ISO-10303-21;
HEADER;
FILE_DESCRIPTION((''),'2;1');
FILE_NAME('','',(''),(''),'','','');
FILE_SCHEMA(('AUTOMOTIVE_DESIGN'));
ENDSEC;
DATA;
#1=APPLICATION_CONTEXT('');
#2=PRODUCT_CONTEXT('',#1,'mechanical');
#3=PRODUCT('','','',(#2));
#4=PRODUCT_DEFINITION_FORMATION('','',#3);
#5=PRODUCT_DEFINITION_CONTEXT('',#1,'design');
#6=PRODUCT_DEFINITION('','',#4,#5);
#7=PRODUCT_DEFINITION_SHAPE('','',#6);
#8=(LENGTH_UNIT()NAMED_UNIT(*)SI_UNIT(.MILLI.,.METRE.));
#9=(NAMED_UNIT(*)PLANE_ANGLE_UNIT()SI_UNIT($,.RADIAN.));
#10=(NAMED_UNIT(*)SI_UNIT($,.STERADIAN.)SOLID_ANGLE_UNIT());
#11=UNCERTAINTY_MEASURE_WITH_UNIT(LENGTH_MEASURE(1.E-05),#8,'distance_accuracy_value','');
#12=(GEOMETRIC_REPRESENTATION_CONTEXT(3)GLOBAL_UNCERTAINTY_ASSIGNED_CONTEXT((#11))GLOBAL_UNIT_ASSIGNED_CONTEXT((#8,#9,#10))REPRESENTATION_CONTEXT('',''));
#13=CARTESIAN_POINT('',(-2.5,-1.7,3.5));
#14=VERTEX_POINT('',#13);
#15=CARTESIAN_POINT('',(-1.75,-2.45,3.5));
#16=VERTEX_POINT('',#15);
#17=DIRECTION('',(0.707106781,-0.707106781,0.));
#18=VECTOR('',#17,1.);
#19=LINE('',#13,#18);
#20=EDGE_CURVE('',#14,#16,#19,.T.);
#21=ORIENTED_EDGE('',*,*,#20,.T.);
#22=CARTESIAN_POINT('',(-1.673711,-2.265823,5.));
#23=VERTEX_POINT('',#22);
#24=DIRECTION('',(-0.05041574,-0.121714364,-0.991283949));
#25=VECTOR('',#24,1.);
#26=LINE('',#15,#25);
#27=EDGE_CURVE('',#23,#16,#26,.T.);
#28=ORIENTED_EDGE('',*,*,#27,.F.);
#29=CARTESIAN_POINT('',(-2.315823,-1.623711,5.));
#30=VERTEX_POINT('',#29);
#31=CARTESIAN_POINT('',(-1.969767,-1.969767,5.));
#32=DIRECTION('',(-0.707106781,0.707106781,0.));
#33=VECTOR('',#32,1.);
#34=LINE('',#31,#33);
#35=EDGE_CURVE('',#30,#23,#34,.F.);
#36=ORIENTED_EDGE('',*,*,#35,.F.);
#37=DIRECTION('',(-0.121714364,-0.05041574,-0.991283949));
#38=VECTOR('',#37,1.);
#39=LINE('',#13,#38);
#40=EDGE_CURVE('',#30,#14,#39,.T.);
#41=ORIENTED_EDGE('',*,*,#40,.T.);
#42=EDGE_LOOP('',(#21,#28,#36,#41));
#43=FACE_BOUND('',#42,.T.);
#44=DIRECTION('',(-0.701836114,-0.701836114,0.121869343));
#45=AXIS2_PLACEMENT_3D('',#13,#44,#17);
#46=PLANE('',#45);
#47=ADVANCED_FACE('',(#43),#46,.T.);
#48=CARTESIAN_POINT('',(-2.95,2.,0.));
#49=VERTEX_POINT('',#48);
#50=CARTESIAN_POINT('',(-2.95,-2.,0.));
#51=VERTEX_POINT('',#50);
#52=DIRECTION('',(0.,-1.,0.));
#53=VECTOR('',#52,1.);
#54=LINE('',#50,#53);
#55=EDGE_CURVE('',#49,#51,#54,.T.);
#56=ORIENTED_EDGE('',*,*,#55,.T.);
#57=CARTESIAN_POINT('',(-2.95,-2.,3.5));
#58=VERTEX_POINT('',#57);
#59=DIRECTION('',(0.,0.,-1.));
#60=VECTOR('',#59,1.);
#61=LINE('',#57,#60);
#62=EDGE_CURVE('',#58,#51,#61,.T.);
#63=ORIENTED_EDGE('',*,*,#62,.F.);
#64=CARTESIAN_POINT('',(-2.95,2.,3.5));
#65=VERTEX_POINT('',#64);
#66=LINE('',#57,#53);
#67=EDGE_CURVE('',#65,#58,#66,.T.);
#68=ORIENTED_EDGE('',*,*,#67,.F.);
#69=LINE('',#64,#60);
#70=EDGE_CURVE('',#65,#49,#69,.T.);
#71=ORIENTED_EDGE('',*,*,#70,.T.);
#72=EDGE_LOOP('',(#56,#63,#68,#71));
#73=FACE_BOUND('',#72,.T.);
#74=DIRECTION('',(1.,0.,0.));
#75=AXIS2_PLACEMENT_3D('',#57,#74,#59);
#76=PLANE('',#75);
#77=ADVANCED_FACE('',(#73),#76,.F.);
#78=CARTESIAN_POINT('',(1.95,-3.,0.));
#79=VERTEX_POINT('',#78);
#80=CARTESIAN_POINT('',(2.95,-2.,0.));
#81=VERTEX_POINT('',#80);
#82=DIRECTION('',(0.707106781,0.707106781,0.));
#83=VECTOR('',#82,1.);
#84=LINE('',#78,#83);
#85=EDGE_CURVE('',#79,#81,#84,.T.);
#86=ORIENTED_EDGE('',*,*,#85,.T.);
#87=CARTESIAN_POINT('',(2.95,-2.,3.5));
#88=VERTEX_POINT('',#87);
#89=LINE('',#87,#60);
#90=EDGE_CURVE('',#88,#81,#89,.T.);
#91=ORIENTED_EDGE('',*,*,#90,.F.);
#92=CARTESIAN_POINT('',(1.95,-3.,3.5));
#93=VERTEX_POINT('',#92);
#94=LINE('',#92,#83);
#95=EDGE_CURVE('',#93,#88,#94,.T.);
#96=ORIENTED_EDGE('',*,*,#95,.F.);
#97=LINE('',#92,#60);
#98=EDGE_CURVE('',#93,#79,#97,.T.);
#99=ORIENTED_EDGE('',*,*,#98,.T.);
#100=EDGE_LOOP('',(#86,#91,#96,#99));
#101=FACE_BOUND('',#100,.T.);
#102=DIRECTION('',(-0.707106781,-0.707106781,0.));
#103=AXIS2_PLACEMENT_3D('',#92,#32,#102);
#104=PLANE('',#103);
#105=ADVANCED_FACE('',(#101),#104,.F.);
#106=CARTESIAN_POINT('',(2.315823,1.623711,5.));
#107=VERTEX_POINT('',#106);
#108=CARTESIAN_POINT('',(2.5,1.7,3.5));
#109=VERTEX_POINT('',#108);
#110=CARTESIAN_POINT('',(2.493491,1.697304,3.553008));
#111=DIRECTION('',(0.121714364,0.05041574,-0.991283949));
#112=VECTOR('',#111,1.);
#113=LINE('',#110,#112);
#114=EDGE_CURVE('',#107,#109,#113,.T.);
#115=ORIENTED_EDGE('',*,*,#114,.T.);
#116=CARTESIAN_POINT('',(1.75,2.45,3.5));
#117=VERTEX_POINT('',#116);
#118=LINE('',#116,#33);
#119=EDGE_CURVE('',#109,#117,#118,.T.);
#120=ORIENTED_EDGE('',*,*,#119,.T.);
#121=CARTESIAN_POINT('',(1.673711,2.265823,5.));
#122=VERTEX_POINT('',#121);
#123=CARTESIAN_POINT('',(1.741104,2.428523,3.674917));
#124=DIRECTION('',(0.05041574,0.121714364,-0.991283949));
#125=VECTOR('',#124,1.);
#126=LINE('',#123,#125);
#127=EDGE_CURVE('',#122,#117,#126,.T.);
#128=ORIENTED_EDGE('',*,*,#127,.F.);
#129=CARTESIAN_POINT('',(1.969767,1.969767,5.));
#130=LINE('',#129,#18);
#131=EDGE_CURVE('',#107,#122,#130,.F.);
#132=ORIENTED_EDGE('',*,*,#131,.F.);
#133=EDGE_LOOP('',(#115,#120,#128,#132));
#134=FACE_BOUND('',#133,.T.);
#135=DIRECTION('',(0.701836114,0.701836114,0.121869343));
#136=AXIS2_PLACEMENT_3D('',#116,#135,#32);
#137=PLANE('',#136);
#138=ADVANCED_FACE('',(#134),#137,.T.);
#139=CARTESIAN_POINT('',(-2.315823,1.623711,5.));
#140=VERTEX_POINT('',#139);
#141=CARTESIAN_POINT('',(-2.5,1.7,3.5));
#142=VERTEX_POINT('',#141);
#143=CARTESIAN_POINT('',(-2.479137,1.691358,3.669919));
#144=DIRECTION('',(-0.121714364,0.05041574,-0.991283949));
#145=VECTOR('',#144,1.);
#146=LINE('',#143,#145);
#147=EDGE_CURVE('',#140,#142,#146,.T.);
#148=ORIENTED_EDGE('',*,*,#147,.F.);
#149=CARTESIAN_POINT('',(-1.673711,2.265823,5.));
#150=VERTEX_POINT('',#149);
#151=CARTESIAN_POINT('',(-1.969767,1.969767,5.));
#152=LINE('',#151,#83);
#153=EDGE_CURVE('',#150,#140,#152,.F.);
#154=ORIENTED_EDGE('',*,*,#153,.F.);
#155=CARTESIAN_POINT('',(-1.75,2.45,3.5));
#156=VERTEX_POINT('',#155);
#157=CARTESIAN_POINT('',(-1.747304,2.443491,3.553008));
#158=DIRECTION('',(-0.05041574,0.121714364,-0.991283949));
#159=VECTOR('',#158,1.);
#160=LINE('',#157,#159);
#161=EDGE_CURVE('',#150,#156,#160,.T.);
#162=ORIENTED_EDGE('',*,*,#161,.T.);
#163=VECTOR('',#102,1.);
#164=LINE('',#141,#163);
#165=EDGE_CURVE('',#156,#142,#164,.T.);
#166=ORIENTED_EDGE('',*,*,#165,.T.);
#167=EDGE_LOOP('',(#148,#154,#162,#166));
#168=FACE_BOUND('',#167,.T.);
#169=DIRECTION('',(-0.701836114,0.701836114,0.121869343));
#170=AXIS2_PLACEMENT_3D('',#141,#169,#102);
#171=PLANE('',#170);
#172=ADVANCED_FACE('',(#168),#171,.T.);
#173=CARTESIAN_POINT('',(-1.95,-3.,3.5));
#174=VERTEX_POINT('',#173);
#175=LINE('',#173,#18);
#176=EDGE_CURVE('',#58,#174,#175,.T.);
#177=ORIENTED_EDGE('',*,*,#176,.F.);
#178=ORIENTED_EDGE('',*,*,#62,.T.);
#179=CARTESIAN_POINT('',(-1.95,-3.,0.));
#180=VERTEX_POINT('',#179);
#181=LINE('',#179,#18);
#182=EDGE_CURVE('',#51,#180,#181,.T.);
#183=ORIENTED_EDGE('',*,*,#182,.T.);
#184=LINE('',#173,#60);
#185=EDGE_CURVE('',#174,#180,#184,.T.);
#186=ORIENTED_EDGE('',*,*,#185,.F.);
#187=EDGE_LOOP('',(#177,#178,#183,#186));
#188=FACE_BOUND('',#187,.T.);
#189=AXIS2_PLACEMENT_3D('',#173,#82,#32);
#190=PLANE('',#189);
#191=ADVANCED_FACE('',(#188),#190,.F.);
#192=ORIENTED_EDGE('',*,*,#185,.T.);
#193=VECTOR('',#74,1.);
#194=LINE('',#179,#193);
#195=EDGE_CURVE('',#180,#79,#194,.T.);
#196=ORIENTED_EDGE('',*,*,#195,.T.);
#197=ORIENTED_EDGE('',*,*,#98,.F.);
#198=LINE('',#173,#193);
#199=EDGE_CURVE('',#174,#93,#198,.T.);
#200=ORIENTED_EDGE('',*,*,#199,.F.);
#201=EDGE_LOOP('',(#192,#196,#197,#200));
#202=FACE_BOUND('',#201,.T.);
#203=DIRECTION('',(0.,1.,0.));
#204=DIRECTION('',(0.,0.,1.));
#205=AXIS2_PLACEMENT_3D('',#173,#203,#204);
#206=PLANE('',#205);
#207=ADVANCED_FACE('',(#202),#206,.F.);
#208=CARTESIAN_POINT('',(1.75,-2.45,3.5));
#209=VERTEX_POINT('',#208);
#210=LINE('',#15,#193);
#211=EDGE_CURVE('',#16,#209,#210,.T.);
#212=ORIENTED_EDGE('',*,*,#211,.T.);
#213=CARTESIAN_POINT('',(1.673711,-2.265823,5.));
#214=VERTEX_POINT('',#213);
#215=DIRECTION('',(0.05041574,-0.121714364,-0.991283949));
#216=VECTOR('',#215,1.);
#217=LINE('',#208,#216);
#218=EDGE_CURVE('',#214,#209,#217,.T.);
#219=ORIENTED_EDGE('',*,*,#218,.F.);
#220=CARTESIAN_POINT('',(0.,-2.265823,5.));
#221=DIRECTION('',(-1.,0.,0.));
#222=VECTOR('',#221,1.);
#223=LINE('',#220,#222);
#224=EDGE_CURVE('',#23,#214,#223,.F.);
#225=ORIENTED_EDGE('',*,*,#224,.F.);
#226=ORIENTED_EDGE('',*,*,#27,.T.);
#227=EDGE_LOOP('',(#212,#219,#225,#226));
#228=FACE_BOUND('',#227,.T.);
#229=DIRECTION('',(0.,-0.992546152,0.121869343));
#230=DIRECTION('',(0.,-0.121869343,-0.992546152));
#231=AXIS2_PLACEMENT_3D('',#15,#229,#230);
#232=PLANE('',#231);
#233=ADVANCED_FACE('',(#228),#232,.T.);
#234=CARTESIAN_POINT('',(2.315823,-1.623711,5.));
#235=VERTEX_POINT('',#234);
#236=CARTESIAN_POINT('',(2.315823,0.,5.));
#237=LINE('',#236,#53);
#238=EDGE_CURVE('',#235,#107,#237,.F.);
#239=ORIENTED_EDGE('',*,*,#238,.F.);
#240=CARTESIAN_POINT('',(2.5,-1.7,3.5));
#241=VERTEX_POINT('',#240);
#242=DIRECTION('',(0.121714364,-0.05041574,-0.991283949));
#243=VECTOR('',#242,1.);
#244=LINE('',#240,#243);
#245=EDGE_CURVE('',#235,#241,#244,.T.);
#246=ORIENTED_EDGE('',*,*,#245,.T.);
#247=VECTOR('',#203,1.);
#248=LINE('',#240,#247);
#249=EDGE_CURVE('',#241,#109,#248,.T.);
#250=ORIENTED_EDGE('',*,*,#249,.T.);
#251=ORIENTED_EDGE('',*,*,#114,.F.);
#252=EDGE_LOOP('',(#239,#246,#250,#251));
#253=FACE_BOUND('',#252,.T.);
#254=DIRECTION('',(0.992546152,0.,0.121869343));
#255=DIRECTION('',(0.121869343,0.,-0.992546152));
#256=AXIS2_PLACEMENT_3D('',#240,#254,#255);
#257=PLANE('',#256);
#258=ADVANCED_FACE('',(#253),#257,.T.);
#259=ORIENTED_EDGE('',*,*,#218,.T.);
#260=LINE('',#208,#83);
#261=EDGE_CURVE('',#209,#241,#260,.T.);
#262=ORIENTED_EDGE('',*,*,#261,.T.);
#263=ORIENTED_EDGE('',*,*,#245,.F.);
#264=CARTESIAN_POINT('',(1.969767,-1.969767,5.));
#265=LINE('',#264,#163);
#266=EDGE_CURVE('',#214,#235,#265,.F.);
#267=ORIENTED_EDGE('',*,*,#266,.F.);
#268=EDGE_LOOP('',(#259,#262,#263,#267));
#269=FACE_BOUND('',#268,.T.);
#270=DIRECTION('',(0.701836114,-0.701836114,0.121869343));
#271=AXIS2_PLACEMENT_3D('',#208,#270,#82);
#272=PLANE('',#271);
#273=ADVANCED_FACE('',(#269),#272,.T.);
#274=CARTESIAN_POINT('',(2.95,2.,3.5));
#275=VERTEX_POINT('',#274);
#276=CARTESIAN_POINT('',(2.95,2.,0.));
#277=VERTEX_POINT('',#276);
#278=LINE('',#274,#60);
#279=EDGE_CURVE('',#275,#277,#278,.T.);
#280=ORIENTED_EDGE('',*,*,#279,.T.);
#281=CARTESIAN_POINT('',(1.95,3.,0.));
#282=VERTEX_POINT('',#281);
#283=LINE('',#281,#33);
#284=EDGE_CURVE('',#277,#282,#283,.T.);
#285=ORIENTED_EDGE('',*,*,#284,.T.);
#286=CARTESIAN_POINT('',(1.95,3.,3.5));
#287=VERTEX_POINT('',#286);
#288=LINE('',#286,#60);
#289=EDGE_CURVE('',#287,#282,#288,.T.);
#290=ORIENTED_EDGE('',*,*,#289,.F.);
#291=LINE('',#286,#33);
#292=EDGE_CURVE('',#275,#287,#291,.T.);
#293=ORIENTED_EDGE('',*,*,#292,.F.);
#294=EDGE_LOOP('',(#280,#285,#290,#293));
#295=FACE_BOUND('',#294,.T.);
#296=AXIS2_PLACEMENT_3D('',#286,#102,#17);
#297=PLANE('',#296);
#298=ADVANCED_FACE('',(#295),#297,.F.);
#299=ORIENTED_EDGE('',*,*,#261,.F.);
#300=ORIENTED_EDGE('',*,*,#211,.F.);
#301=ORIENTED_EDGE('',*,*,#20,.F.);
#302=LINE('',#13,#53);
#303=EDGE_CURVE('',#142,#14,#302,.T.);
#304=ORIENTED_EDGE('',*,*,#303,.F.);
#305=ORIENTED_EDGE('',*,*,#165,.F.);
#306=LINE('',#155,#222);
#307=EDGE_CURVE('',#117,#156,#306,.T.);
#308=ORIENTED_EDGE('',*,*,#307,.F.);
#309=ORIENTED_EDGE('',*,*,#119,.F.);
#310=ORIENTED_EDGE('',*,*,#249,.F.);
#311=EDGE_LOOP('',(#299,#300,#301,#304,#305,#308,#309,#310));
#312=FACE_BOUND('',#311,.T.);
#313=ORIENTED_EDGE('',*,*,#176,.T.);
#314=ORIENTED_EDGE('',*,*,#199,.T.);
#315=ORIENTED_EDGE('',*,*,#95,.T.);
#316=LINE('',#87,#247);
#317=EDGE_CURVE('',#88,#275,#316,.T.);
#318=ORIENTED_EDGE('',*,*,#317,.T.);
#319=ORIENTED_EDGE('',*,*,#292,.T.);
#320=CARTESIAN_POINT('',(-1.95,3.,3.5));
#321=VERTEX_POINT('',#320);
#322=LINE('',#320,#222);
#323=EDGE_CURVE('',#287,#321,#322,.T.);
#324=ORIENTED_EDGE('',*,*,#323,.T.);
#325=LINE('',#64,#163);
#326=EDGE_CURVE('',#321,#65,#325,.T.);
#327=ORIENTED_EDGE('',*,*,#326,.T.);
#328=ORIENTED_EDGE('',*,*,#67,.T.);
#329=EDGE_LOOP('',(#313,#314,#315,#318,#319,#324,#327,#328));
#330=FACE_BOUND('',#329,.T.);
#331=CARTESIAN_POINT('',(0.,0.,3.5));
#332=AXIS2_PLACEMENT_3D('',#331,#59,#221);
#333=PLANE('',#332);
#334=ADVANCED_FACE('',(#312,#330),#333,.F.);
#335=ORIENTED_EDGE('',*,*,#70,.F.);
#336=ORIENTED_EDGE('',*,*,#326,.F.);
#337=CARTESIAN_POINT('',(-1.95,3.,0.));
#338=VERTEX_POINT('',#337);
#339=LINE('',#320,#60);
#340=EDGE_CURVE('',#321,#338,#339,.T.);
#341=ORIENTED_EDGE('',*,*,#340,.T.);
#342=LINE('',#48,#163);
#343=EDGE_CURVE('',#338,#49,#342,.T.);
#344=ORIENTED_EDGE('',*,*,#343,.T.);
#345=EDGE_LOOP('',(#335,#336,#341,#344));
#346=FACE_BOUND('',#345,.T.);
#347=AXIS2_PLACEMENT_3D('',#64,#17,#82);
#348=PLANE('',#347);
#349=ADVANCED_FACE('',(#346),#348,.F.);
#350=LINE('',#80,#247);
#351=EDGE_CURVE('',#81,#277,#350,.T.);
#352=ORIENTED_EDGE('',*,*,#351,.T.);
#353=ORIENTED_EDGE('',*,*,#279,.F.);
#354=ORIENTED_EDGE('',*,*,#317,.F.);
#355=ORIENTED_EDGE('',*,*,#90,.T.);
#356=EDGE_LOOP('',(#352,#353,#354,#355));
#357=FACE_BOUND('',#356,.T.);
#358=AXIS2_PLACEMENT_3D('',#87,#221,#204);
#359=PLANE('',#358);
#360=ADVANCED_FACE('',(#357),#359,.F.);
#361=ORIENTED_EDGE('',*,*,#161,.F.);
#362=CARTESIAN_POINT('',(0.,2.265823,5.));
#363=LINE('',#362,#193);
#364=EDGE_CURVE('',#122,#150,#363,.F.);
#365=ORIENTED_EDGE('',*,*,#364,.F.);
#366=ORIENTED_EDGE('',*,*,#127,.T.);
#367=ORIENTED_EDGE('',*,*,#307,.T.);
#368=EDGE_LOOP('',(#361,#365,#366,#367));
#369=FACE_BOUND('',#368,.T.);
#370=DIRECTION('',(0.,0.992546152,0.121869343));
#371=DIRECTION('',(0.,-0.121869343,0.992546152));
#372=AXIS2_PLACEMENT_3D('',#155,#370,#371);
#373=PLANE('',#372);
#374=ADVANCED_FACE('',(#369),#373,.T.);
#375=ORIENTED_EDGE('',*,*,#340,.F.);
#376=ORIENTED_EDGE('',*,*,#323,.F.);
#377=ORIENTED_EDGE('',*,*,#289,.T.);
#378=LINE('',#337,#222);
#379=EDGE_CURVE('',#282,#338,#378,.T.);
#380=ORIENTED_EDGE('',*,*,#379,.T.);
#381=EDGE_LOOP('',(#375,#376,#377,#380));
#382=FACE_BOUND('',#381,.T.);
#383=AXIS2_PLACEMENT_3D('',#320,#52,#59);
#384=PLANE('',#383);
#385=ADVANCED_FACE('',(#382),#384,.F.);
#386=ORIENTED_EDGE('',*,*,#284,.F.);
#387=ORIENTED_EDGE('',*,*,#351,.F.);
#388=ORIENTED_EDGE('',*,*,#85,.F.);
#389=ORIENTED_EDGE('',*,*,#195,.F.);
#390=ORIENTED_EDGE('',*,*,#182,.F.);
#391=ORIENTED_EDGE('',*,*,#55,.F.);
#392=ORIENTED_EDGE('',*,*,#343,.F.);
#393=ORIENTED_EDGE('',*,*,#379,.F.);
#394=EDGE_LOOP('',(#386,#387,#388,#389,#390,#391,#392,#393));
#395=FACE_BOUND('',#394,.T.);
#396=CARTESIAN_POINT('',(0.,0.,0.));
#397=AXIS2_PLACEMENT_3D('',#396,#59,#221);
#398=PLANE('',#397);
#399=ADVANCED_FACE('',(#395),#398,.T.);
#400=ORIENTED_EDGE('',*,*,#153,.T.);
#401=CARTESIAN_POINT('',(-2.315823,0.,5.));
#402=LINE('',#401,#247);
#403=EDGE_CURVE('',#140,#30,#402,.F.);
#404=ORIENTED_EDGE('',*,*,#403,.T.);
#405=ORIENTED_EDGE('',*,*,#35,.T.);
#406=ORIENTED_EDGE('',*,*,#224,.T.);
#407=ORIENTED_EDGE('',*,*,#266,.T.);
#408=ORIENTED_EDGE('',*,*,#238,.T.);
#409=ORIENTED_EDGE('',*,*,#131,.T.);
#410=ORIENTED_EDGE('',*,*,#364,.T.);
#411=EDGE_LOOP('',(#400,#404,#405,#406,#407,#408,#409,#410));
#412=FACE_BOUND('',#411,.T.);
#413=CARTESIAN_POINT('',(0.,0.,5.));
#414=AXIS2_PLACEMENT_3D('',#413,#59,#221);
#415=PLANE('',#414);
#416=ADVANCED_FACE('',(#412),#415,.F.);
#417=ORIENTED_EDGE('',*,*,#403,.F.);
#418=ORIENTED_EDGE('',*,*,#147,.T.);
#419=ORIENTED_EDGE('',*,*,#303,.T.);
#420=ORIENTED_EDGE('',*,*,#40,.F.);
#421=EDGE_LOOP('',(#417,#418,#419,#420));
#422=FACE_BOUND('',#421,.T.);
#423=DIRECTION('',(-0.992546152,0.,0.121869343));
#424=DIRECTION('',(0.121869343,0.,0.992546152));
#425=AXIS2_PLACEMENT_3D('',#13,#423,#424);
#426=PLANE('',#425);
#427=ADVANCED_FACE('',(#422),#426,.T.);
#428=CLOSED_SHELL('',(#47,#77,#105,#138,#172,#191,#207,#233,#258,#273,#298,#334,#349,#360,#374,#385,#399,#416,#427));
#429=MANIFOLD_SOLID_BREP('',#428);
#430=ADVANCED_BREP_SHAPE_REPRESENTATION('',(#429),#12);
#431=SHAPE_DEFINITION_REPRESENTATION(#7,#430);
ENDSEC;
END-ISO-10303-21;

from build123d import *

# Parameters (mm, degrees)
BOSS_EXTRUDE1_DEPTH = 3.5
BOSS_EXTRUDE2_DEPTH = 1.5
BOSS_EXTRUDE2_TAPER = 7


with BuildPart() as part:
    # Sketch1 → Boss-Extrude1 (new body)
    with BuildSketch(Plane.XY):
        Polygon((-2.95, 2), (-1.95, 3), (1.95, 3), (2.95, 2), (2.95, -2), (1.95, -3), (-1.95, -3), (-2.95, -2), align=None)
    extrude(amount=BOSS_EXTRUDE1_DEPTH)

    # Sketch2 → Boss-Extrude2 (add)
    with BuildSketch(Plane.XY.offset(3.5)):
        Polygon((-2.5, 1.7), (-2.5, -1.7), (-1.75, -2.45), (1.75, -2.45), (2.5, -1.7), (2.5, 1.7), (1.75, 2.45), (-1.75, 2.45), align=None)
    extrude(amount=BOSS_EXTRUDE2_DEPTH, taper=BOSS_EXTRUDE2_TAPER)


solid = part.part
